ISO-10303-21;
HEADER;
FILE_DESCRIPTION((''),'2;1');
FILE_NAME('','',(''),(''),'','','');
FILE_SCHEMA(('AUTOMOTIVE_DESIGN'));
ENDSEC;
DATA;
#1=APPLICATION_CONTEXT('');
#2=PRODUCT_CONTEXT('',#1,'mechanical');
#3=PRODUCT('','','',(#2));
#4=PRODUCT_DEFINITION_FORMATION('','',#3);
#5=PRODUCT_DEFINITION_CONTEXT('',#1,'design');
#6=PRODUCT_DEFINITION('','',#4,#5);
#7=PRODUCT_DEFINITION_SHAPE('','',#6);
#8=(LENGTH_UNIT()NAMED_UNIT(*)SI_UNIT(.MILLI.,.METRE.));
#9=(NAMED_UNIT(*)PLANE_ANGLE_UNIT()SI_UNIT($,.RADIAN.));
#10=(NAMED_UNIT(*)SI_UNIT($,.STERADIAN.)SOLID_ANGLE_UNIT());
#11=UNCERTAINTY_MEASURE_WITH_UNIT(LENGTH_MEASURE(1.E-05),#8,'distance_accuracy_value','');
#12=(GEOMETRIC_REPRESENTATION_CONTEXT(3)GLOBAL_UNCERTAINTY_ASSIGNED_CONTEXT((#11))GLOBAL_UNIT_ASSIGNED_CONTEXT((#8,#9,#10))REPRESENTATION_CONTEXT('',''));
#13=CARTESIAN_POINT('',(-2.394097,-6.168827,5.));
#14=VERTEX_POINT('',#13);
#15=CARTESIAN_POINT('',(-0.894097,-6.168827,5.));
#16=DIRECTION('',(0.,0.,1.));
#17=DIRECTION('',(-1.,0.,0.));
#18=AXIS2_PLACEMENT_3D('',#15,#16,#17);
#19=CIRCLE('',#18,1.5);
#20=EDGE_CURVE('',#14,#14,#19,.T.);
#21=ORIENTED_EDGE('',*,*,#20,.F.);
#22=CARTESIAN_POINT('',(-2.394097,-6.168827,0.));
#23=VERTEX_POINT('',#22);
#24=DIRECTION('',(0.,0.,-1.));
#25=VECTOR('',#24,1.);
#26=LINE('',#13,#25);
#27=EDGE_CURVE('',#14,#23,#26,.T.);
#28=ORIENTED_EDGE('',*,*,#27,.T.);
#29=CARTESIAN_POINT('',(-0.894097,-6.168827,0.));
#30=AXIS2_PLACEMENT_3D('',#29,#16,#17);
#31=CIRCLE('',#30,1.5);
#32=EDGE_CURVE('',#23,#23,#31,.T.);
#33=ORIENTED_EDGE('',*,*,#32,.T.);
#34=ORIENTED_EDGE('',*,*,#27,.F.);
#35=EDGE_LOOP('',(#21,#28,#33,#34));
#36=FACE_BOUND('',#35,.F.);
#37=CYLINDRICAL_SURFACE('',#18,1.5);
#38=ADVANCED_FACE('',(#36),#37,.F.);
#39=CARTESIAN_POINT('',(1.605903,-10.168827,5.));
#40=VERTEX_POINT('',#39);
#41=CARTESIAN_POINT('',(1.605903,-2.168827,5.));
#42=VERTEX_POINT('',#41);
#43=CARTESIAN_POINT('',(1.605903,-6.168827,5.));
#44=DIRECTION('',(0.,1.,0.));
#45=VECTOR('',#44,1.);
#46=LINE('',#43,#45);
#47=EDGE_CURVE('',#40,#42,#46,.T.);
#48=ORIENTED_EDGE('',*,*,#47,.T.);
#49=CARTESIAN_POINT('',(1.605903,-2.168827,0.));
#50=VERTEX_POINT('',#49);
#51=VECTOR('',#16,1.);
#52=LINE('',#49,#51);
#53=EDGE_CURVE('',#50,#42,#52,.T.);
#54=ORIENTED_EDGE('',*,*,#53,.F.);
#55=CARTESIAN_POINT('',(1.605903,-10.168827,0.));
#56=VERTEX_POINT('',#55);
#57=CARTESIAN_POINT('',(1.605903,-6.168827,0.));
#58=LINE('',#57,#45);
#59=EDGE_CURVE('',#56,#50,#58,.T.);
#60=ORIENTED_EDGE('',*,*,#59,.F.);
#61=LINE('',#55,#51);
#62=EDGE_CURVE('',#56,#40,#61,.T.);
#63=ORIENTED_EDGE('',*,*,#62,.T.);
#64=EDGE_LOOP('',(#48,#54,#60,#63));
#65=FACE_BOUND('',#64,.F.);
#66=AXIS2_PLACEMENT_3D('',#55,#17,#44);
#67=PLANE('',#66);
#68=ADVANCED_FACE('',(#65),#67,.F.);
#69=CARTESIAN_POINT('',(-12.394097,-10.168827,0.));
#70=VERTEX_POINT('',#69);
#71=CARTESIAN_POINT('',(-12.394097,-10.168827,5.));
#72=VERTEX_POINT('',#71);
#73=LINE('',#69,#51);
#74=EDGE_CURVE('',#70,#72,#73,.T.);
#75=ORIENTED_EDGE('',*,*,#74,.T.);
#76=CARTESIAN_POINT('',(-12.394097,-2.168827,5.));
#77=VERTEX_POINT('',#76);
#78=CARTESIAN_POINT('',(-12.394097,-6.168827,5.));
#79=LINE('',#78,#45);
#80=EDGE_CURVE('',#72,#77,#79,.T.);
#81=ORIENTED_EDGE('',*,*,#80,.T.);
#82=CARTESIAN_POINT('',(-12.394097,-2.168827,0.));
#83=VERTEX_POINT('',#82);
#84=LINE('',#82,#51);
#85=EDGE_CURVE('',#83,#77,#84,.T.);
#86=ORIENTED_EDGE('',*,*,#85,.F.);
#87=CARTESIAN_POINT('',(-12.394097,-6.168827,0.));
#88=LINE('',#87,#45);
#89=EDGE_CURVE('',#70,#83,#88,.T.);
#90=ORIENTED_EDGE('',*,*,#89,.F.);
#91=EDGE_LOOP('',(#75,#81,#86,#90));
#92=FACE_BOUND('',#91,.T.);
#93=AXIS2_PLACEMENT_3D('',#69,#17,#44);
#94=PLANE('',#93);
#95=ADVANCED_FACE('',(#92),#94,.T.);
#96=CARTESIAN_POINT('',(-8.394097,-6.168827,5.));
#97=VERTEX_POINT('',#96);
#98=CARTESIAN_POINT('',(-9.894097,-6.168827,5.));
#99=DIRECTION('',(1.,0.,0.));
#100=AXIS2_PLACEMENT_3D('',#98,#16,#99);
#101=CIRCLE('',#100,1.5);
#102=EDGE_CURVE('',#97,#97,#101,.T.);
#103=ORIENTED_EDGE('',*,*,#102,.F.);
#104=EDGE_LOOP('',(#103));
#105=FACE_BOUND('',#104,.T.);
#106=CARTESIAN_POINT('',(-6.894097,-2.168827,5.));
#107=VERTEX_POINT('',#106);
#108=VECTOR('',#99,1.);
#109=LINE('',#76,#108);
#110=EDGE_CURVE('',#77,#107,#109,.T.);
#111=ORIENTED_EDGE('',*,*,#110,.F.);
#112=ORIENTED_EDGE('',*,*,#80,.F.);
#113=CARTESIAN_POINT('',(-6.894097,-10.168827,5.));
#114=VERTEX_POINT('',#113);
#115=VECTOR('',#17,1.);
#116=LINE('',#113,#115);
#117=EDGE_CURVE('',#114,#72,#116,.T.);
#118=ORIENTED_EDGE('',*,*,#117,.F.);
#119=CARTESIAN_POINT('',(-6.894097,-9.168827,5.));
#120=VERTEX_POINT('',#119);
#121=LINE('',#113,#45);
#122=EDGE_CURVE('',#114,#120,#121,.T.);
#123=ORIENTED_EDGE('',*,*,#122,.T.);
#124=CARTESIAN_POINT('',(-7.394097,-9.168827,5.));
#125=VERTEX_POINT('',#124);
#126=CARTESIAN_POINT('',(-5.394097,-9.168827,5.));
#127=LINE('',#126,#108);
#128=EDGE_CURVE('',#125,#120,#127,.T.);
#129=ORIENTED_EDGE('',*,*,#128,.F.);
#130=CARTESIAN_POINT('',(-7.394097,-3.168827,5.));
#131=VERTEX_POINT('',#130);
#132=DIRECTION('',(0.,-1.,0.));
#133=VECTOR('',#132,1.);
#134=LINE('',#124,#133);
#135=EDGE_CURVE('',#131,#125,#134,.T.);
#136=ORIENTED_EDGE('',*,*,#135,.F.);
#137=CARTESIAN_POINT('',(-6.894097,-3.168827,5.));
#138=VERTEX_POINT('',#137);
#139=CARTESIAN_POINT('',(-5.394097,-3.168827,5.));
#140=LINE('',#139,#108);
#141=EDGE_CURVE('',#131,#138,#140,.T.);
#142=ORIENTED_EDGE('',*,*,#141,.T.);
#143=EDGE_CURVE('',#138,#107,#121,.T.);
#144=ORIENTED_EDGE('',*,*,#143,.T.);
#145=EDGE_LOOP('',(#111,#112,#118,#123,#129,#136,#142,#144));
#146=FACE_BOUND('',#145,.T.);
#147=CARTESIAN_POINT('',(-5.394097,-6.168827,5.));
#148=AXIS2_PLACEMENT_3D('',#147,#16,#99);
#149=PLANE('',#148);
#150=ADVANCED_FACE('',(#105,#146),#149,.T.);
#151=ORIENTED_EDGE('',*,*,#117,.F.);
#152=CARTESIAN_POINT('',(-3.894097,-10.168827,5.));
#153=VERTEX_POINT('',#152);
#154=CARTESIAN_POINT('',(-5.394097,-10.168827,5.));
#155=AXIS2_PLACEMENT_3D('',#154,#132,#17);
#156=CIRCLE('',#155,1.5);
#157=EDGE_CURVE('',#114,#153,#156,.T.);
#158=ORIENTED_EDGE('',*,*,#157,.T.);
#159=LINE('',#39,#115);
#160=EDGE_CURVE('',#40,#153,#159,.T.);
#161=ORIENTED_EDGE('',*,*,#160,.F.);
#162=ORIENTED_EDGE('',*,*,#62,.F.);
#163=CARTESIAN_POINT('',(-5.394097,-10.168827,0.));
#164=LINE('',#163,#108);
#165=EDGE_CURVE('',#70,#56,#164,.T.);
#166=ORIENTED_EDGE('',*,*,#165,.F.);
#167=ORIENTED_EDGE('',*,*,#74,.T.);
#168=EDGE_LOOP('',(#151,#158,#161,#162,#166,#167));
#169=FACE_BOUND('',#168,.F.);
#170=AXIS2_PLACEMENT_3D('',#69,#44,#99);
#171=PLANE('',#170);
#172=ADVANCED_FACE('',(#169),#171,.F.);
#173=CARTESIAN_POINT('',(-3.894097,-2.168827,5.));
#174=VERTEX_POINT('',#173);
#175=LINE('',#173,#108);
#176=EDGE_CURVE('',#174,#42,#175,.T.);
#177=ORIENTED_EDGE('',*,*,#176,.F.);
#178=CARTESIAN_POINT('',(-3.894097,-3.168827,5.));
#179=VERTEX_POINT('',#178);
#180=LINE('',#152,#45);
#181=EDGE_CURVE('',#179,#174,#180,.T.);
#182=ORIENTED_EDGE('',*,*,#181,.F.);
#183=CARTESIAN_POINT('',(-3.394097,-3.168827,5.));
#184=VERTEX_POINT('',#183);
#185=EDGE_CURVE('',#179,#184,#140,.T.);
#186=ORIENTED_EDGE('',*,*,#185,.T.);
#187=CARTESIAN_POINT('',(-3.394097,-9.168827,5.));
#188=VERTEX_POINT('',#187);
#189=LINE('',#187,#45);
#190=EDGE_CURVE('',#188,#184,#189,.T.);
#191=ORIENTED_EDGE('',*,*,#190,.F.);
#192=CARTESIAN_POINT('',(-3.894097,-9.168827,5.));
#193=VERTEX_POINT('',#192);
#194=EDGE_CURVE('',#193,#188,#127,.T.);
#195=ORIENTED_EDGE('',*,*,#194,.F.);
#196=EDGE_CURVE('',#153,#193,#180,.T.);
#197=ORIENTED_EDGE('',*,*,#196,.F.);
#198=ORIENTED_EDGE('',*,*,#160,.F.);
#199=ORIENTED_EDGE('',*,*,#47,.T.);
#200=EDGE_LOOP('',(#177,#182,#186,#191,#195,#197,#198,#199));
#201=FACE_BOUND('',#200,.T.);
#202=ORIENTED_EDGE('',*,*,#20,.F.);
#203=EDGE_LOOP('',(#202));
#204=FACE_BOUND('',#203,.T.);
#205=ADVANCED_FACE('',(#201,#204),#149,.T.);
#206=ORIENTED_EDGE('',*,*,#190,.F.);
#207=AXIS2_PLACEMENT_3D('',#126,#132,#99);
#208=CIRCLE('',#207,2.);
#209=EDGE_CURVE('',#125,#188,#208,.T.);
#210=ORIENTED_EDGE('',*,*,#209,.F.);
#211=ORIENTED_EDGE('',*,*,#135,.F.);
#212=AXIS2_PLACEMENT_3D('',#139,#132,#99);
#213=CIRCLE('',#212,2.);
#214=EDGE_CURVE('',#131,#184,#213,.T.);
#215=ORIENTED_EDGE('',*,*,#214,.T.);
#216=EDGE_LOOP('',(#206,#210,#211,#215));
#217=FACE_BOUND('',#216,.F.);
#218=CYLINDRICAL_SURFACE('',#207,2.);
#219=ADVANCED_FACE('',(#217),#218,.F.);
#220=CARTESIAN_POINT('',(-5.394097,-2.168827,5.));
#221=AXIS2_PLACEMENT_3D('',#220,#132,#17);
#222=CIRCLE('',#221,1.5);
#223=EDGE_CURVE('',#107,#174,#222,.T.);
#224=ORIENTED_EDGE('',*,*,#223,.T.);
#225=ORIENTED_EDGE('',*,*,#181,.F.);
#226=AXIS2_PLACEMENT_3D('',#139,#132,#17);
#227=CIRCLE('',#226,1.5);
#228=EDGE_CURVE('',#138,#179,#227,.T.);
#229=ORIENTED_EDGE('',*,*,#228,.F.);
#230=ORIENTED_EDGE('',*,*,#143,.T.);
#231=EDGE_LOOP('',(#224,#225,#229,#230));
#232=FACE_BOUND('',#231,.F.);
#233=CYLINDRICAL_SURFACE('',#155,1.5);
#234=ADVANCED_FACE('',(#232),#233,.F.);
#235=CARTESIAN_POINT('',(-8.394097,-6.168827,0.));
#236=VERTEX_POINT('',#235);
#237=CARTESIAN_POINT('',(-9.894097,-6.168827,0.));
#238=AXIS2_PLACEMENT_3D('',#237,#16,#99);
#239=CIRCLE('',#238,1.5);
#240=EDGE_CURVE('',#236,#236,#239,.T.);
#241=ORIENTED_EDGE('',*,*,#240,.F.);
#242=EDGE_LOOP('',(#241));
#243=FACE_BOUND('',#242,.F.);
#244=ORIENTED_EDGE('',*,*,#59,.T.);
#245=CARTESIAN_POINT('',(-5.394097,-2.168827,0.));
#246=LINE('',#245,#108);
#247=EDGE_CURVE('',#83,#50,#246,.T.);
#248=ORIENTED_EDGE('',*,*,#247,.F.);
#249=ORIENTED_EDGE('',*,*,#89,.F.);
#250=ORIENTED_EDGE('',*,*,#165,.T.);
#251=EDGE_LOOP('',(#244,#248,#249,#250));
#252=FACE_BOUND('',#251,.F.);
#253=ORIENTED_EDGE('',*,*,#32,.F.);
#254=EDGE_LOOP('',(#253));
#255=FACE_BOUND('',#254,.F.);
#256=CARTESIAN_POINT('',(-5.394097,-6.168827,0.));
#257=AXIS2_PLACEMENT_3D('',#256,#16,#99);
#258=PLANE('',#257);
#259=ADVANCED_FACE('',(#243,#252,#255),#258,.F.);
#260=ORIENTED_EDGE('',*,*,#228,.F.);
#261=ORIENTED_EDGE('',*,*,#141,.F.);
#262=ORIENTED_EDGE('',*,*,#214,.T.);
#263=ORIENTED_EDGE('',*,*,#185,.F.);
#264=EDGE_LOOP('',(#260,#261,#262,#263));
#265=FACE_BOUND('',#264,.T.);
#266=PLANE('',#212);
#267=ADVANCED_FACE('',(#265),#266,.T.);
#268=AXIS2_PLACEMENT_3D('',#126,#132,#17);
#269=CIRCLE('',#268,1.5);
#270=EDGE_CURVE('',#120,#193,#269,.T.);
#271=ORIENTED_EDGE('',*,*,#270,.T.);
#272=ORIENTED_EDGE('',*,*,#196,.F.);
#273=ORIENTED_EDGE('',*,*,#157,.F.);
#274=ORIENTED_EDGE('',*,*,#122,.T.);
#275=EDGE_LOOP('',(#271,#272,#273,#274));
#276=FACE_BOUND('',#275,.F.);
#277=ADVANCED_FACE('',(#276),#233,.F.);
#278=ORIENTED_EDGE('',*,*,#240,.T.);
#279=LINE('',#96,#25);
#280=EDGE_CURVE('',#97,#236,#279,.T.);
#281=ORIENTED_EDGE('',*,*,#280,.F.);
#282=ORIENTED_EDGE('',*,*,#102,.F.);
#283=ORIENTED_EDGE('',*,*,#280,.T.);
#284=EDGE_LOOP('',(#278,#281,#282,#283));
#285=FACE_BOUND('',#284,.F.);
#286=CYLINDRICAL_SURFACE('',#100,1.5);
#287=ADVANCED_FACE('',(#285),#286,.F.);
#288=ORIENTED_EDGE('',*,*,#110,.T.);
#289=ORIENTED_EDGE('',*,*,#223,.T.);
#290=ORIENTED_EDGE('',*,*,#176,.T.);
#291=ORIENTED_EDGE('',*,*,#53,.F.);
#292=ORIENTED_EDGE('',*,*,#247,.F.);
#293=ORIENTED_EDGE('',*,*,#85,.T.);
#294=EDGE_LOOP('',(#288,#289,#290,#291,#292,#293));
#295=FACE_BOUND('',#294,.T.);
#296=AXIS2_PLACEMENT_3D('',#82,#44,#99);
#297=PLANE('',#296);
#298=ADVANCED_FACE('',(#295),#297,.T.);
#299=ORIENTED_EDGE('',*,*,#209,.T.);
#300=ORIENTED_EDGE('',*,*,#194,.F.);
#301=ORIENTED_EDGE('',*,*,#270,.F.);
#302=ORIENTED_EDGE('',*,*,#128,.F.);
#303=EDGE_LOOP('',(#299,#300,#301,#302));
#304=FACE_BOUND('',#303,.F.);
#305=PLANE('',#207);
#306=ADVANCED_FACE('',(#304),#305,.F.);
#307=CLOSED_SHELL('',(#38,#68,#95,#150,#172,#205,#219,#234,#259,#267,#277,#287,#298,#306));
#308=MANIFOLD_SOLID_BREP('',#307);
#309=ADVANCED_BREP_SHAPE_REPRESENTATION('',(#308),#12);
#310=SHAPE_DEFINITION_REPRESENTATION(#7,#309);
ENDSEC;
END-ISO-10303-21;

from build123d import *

# Parameters (mm, degrees)
F0_W     = 14
F0_H     = 8
F1_DEPTH = 5
F4_START = -1
F2_R     = 2
F4_DEPTH = 6
F5_DEPTH = 25
F7_DEPTH = 5


with BuildPart() as f1:
    # F0 (on Top) → F1 (new body)
    with BuildSketch(Plane.XY):
        with Locations((-5.3940967023, -6.1688271388)):
            Rectangle(F0_W, F0_H)
    extrude(amount=F1_DEPTH)

    # F2 (on face) → F4 (cut)
    with BuildSketch(Plane.XZ.offset(10.1688271388).offset(F4_START)):
        with Locations((-5.3940967023, 5)):
            Circle(F2_R)
    extrude(amount=-F4_DEPTH, mode=Mode.SUBTRACT)

    # F3 (on face) → F5 (cut)
    with BuildSketch(Plane.XZ.offset(10.1688271388)):
        with BuildLine():
            ThreePointArc((-6.8940967023, 5), (-5.3940967023, 6.5), (-3.8940967023, 5))
            Line((-3.8940967023, 5), (-3.3940967023, 5))
            ThreePointArc((-3.3940967023, 5), (-5.3940967023, 7), (-7.3940967023, 5))
            Line((-7.3940967023, 5), (-6.8940967023, 5))
        make_face()
        with BuildLine():
            ThreePointArc((-6.8940967023, 5), (-5.3940967023, 3.5), (-3.8940967023, 5))
            Line((-3.8940967023, 5), (-6.8940967023, 5))
        make_face()
        with BuildLine():
            Line((-6.8940967023, 5), (-3.8940967023, 5))
            ThreePointArc((-3.8940967023, 5), (-5.3940967023, 6.5), (-6.8940967023, 5))
        make_face()
    extrude(amount=-F5_DEPTH, mode=Mode.SUBTRACT)

    # F6 (on face) → F7 (cut)
    with BuildSketch(Plane.XY.offset(5)):
        with BuildLine():
            ThreePointArc((-11.3940967023, -6.1688271388), (-9.8940967023, -7.6688271388), (-8.3940967023, -6.1688271388))
            Line((-8.3940967023, -6.1688271388), (-11.3940967023, -6.1688271388))
        make_face()
        with BuildLine():
            Line((-11.3940967023, -6.1688271388), (-8.3940967023, -6.1688271388))
            ThreePointArc((-8.3940967023, -6.1688271388), (-9.8940967023, -4.6688271388), (-11.3940967023, -6.1688271388))
        make_face()
        with BuildLine():
            ThreePointArc((0.6059032977, -6.1688271388), (-0.8940967023, -4.6688271388), (-2.3940967023, -6.1688271388))
            Line((-2.3940967023, -6.1688271388), (0.6059032977, -6.1688271388))
        make_face()
        with BuildLine():
            Line((0.6059032977, -6.1688271388), (-2.3940967023, -6.1688271388))
            ThreePointArc((-2.3940967023, -6.1688271388), (-0.8940967023, -7.6688271388), (0.6059032977, -6.1688271388))
        make_face()
    extrude(amount=-F7_DEPTH, mode=Mode.SUBTRACT)


solid = f1.part
